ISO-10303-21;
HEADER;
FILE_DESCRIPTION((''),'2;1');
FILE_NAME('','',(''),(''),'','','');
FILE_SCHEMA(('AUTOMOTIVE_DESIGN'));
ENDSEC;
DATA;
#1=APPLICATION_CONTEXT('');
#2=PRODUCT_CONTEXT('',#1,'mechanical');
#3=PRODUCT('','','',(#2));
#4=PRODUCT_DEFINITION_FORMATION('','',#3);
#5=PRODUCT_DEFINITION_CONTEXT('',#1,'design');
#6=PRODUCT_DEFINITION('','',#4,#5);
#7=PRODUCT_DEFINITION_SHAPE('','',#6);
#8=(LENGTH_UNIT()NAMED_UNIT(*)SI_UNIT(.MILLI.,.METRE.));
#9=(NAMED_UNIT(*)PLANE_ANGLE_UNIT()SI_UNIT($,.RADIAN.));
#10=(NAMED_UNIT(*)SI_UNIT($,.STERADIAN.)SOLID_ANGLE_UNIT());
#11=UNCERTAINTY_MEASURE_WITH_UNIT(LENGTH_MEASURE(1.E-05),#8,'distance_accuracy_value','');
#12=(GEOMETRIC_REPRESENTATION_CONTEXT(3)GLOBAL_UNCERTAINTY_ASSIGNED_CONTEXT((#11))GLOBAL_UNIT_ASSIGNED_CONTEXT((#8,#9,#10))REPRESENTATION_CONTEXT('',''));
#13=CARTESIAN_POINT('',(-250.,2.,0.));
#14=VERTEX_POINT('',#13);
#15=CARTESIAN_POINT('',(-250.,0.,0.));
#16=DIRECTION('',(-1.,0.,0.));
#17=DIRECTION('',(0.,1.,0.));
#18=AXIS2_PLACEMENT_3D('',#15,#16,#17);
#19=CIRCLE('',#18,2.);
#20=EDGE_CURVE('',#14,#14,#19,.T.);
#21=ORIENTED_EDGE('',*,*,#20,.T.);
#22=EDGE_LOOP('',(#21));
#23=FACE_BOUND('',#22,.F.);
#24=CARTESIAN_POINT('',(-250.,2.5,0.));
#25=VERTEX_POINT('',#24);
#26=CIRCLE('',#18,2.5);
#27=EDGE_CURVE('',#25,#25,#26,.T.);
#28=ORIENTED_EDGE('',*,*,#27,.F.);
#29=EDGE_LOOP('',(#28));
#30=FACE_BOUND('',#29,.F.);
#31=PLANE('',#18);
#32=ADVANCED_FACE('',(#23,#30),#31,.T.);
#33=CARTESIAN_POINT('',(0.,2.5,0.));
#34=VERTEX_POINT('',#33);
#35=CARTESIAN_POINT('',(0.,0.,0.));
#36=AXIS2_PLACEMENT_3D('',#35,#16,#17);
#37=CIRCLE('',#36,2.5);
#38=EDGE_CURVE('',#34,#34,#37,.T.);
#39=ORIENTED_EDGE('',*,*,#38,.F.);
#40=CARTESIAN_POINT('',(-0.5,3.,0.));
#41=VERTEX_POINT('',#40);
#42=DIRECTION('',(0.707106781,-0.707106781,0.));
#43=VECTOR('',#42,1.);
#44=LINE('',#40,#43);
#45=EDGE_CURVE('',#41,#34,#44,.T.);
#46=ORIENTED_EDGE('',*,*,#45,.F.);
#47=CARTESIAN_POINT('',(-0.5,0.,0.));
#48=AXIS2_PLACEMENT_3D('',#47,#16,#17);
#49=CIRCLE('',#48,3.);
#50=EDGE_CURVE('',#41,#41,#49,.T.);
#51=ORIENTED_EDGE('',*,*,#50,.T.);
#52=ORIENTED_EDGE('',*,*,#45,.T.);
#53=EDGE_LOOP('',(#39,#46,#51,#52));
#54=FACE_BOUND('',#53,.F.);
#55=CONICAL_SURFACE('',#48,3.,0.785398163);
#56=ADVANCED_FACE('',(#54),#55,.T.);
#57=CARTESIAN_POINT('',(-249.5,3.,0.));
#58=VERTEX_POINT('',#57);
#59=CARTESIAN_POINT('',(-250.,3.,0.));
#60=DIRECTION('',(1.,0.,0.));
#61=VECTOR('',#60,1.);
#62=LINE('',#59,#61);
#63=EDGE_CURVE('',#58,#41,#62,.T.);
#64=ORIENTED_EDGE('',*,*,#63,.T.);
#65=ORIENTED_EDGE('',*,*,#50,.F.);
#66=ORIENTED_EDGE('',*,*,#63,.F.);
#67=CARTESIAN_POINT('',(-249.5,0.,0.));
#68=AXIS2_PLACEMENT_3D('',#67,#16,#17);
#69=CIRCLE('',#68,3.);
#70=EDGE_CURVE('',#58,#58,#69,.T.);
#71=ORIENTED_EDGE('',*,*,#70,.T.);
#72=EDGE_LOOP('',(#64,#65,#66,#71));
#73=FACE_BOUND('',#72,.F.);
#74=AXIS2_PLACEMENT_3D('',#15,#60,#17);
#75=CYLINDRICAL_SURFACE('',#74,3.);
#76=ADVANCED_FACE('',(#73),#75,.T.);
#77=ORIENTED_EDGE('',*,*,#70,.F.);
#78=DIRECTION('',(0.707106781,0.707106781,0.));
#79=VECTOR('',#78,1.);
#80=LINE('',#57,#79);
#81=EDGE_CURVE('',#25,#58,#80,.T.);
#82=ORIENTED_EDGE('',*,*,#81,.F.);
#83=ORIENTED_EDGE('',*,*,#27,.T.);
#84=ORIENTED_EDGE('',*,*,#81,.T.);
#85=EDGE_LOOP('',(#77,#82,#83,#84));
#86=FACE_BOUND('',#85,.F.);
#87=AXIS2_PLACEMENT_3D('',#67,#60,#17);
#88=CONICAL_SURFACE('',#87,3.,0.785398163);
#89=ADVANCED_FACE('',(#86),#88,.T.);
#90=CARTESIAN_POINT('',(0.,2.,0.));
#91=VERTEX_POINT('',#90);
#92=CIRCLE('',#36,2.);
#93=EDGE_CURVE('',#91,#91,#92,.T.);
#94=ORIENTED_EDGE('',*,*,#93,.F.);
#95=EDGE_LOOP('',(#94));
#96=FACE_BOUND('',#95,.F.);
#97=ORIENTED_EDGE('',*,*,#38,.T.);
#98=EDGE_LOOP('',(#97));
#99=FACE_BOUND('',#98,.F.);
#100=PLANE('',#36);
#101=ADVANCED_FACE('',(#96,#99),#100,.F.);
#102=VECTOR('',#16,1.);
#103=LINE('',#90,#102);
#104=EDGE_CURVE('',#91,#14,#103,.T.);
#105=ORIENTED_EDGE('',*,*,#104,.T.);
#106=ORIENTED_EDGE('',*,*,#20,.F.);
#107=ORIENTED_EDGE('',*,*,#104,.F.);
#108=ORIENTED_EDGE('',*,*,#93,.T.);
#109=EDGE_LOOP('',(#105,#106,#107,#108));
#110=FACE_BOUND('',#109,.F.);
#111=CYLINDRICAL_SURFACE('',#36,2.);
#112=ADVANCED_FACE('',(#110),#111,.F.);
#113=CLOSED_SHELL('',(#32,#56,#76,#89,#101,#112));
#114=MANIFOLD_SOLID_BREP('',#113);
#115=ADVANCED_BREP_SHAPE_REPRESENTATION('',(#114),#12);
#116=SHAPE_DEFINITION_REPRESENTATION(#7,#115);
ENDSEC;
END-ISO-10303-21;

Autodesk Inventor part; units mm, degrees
ref_plane "YZ Plane" through (0, 0, 0) normal (1, 0, 0) x (0, 1, 0)
ref_plane "XZ Plane" through (0, 0, 0) normal (0, 1, 0) x (-1, 0, 0)
ref_plane "XY Plane" through (0, 0, 0) normal (0, 0, 1) x (1, 0, 0)
sketch "Sketch1" plane through (0, 0, 0) normal (0, 0, 1) x (1, 0, 0)
  line L0 (0, 2) -> (-250, 2)
  line L1 (-250, 2) -> (-250, 3)
  line L2 (-250, 3) -> (0, 3)
  line L3 (0, 3) -> (0, 2)
  line L4 (0, 2) -> (0, 0) construction
  line L5 (0, 0) -> (-250, 0) construction
  line L6 (-250, 0) -> (-250, 2) construction
  dimension "d0" = 2
  dimension "d1" = 3
  dimension "d2" = 250
revolve "Revolution1" add sketch "Sketch1" angle 360 about axis through (0, 0, 0) along (-1, 0, 0)
chamfer "Chamfer1" distance 0.5 angle 45 2 edges at (0, -3, 0) (-250, -3, 0)
properties part number "CF Tube 6x4x250"
